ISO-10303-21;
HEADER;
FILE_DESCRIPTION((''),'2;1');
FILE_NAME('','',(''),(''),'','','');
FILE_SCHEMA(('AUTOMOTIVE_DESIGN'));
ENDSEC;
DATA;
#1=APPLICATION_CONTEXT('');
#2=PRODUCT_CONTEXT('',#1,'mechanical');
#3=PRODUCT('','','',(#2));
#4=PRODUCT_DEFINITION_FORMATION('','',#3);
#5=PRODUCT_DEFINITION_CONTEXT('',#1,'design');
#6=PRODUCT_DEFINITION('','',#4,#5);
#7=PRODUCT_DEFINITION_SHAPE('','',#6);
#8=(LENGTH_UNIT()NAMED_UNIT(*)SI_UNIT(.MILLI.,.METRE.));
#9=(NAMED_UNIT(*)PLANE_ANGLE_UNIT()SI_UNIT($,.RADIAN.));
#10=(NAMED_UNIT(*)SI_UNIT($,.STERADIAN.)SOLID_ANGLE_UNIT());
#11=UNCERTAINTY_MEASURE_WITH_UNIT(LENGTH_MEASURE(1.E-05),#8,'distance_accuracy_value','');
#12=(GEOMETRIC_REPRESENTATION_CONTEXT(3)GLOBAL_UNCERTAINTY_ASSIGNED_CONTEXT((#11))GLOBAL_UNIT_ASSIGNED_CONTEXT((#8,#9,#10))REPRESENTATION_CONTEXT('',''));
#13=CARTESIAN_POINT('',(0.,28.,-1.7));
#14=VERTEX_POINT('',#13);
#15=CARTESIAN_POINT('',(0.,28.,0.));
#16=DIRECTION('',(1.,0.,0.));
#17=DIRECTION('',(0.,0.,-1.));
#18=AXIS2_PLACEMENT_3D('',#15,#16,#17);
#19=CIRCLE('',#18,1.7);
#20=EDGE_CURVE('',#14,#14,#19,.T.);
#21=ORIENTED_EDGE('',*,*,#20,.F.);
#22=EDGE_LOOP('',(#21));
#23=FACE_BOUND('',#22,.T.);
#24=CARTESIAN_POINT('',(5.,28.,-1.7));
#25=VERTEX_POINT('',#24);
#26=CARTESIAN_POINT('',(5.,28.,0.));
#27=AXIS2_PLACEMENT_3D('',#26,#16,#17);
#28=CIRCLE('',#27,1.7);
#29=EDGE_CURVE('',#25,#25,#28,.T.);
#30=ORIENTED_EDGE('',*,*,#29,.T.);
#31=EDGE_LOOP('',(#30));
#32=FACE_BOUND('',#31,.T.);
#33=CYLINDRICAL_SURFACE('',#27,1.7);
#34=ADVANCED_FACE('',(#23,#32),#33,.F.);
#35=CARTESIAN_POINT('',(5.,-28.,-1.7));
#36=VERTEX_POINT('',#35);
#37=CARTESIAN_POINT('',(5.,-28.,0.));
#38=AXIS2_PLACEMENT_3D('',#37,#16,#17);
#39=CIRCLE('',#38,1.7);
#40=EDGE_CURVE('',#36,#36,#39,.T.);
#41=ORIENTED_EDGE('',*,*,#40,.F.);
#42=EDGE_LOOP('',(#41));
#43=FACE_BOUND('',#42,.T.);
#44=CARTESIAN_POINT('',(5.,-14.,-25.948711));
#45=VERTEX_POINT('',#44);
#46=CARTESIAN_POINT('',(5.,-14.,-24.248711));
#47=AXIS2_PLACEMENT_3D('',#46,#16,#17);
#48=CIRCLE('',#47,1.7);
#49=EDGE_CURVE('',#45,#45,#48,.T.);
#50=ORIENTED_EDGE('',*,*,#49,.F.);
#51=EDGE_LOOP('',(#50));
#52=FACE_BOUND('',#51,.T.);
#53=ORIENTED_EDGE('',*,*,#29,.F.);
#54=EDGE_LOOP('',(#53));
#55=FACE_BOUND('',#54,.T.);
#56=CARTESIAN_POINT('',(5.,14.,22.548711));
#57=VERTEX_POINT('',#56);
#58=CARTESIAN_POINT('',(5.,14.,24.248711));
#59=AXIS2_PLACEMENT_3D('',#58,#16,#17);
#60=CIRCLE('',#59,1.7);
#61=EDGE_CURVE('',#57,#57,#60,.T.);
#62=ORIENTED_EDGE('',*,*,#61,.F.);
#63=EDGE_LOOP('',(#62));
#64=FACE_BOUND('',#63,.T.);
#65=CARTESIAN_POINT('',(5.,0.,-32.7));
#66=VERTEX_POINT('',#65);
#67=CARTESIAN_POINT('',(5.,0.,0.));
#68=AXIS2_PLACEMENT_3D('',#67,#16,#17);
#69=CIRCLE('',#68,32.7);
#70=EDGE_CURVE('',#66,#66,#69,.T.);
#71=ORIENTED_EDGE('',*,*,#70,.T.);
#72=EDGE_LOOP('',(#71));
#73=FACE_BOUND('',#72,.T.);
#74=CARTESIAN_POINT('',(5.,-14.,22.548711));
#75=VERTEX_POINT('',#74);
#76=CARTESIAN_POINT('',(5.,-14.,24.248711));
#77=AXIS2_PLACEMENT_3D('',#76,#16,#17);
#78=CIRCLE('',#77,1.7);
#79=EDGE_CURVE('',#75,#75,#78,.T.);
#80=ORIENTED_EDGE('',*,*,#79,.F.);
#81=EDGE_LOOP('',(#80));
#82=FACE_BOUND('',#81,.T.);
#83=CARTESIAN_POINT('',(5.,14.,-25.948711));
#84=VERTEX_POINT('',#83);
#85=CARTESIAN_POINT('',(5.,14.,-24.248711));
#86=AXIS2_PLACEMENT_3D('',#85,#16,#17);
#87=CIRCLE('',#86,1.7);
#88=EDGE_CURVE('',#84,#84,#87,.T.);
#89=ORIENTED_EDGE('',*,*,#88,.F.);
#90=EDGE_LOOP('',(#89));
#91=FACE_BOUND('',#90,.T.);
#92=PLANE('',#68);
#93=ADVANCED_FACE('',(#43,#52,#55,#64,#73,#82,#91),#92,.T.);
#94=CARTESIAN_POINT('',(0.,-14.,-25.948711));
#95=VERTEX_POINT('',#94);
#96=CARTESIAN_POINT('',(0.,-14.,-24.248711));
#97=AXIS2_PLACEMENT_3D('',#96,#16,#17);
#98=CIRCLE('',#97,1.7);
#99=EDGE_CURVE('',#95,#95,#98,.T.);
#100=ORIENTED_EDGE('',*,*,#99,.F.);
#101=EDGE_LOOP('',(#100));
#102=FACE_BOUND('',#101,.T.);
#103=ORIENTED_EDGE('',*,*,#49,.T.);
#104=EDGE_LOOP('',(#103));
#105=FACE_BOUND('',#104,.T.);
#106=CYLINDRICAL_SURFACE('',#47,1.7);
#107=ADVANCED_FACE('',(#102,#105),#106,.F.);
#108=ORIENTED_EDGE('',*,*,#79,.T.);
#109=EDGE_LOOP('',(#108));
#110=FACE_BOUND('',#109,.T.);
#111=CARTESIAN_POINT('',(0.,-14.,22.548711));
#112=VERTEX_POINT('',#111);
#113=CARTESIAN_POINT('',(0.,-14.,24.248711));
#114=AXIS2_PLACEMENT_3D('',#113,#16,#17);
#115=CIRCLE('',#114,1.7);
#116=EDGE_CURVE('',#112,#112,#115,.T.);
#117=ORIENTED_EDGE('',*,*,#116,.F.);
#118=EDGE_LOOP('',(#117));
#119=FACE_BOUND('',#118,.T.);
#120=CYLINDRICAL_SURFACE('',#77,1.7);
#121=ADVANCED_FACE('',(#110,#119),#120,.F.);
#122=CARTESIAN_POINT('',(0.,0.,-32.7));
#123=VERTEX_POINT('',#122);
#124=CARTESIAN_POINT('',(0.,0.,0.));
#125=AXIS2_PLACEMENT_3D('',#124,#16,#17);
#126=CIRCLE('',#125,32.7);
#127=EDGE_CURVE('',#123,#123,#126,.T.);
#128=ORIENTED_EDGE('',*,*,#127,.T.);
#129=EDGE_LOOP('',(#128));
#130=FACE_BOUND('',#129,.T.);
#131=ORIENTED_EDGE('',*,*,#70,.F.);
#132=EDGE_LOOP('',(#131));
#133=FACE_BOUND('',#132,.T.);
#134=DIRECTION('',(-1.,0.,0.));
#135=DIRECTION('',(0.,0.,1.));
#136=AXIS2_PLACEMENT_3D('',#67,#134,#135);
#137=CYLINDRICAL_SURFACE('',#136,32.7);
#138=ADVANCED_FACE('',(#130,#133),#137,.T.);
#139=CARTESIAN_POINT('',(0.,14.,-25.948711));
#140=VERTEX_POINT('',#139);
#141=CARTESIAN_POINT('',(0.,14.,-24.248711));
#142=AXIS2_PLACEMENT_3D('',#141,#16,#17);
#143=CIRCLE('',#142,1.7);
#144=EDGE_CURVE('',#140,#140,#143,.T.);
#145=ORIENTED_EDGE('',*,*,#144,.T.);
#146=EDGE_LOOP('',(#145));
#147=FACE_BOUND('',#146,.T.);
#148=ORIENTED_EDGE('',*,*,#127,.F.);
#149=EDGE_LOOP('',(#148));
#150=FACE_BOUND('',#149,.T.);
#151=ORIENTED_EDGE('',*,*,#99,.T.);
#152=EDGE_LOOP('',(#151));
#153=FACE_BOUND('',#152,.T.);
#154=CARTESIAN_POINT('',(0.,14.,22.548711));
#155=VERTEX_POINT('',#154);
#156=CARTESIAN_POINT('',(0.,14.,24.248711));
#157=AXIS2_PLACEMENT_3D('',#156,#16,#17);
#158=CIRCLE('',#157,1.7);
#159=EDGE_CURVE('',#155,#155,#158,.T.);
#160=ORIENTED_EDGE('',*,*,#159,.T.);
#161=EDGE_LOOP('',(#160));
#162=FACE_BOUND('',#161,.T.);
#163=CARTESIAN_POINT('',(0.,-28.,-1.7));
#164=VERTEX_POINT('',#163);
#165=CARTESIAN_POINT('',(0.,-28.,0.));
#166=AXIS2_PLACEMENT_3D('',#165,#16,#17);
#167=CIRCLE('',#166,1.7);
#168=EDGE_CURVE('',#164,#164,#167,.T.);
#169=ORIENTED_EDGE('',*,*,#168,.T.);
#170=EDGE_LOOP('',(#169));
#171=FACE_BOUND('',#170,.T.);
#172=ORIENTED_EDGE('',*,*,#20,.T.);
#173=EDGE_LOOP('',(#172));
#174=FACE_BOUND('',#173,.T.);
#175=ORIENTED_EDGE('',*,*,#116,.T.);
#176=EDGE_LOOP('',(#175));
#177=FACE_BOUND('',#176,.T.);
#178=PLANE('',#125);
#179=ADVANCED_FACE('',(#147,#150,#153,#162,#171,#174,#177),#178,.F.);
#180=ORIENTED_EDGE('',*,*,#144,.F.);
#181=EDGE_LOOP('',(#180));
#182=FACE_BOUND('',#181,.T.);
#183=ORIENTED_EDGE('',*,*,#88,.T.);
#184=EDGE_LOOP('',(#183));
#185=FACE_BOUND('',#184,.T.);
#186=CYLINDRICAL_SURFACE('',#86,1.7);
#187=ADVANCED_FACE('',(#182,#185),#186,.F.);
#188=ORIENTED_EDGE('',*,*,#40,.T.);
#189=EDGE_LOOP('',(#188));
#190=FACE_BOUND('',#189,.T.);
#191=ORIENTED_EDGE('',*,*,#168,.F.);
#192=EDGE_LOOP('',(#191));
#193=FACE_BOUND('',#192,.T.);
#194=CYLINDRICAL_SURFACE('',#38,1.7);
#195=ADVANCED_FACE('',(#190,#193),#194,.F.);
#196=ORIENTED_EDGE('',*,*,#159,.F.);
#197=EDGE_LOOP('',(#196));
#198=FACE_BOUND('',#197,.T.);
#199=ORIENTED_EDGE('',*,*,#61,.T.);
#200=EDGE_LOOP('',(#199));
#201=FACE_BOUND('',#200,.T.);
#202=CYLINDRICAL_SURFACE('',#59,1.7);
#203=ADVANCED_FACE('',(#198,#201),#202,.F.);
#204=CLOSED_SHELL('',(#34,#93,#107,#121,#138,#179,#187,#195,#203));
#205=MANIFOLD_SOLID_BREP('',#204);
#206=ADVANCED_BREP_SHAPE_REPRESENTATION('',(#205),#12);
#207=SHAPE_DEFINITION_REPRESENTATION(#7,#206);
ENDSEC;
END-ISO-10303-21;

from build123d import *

# Parameters (mm, degrees)
CROQUIS1_R                       = 32.7
SALIENTE_EXTRUIR1_DEPTH          = 5
TALADRO_DE_MARGEN_PARA_M31_D     = 3.4
TALADRO_DE_MARGEN_PARA_M31_DEPTH = 10
TALADRO_DE_MARGEN_PARA_M31_TIP   = 1.021463052


with BuildPart() as part:
    # Croquis1 → Saliente-Extruir1 (new body)
    with BuildSketch(Plane(origin=(0, 0, 0), x_dir=(0, 0, -1), z_dir=(1, 0, 0))):
        Circle(CROQUIS1_R)
    extrude(amount=SALIENTE_EXTRUIR1_DEPTH)

    # Taladro de margen para M31
    with Locations(Plane(origin=(5, 0, 0), x_dir=(0, 0, -1), z_dir=(1, 0, 0))):
        with Locations((0, 28), (24.248711306, 14), (24.248711306, -14), (0, -28), (-24.248711306, -14), (-24.248711306, 14)):
            Hole(TALADRO_DE_MARGEN_PARA_M31_D / 2, depth=TALADRO_DE_MARGEN_PARA_M31_DEPTH)
            with Locations((0, 0, -(TALADRO_DE_MARGEN_PARA_M31_DEPTH + TALADRO_DE_MARGEN_PARA_M31_TIP / 2))):  # 118° drill point
                Cone(0, TALADRO_DE_MARGEN_PARA_M31_D / 2, TALADRO_DE_MARGEN_PARA_M31_TIP, mode=Mode.SUBTRACT)


solid = part.part
